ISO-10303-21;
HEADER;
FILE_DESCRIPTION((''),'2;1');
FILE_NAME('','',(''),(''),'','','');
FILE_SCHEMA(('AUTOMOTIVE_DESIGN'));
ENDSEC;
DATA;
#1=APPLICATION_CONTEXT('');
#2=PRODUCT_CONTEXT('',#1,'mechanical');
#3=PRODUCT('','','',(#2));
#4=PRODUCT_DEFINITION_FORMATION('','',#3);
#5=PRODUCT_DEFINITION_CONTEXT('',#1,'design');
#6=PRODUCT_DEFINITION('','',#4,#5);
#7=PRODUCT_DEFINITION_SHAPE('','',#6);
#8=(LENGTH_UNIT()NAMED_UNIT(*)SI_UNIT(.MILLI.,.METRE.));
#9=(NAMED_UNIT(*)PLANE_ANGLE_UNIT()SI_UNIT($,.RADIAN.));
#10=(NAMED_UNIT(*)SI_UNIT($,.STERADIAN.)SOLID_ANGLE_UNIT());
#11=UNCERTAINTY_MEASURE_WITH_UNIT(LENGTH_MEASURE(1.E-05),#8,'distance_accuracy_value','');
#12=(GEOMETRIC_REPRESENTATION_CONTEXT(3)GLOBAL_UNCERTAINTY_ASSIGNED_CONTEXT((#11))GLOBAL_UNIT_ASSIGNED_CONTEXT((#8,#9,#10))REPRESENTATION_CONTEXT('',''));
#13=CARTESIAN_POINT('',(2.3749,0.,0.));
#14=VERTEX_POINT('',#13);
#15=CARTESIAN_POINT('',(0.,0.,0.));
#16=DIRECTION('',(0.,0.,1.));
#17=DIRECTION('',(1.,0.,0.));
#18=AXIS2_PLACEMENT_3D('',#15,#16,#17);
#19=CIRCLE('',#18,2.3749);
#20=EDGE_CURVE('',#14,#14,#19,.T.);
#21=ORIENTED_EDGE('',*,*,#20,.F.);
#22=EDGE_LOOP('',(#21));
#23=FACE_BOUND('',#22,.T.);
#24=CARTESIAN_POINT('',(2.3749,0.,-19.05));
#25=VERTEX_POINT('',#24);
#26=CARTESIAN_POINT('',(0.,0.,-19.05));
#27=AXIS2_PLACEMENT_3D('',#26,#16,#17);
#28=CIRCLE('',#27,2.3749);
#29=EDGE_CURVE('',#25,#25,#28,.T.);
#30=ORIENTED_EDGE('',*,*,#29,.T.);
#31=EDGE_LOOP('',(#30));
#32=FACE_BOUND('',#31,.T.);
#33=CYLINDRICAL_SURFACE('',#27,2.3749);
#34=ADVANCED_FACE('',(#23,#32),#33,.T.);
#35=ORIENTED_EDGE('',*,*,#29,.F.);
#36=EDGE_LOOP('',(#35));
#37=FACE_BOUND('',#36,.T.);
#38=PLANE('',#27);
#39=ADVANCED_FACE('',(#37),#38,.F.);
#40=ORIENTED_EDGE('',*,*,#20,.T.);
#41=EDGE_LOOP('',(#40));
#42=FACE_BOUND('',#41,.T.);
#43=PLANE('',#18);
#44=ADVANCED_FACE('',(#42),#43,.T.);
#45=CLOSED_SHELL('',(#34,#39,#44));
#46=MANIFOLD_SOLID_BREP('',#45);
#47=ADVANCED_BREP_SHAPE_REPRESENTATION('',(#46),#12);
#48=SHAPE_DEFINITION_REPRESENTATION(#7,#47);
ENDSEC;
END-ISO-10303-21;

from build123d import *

# Parameters (mm, degrees)
SKETCH1_R           = 2.3749
BOSS_EXTRUDE1_DEPTH = 19.05


with BuildPart() as part:
    # Sketch1 → Boss-Extrude1 (new body)
    with BuildSketch(Plane.XY):
        Circle(SKETCH1_R)
    extrude(amount=-BOSS_EXTRUDE1_DEPTH)


solid = part.part
